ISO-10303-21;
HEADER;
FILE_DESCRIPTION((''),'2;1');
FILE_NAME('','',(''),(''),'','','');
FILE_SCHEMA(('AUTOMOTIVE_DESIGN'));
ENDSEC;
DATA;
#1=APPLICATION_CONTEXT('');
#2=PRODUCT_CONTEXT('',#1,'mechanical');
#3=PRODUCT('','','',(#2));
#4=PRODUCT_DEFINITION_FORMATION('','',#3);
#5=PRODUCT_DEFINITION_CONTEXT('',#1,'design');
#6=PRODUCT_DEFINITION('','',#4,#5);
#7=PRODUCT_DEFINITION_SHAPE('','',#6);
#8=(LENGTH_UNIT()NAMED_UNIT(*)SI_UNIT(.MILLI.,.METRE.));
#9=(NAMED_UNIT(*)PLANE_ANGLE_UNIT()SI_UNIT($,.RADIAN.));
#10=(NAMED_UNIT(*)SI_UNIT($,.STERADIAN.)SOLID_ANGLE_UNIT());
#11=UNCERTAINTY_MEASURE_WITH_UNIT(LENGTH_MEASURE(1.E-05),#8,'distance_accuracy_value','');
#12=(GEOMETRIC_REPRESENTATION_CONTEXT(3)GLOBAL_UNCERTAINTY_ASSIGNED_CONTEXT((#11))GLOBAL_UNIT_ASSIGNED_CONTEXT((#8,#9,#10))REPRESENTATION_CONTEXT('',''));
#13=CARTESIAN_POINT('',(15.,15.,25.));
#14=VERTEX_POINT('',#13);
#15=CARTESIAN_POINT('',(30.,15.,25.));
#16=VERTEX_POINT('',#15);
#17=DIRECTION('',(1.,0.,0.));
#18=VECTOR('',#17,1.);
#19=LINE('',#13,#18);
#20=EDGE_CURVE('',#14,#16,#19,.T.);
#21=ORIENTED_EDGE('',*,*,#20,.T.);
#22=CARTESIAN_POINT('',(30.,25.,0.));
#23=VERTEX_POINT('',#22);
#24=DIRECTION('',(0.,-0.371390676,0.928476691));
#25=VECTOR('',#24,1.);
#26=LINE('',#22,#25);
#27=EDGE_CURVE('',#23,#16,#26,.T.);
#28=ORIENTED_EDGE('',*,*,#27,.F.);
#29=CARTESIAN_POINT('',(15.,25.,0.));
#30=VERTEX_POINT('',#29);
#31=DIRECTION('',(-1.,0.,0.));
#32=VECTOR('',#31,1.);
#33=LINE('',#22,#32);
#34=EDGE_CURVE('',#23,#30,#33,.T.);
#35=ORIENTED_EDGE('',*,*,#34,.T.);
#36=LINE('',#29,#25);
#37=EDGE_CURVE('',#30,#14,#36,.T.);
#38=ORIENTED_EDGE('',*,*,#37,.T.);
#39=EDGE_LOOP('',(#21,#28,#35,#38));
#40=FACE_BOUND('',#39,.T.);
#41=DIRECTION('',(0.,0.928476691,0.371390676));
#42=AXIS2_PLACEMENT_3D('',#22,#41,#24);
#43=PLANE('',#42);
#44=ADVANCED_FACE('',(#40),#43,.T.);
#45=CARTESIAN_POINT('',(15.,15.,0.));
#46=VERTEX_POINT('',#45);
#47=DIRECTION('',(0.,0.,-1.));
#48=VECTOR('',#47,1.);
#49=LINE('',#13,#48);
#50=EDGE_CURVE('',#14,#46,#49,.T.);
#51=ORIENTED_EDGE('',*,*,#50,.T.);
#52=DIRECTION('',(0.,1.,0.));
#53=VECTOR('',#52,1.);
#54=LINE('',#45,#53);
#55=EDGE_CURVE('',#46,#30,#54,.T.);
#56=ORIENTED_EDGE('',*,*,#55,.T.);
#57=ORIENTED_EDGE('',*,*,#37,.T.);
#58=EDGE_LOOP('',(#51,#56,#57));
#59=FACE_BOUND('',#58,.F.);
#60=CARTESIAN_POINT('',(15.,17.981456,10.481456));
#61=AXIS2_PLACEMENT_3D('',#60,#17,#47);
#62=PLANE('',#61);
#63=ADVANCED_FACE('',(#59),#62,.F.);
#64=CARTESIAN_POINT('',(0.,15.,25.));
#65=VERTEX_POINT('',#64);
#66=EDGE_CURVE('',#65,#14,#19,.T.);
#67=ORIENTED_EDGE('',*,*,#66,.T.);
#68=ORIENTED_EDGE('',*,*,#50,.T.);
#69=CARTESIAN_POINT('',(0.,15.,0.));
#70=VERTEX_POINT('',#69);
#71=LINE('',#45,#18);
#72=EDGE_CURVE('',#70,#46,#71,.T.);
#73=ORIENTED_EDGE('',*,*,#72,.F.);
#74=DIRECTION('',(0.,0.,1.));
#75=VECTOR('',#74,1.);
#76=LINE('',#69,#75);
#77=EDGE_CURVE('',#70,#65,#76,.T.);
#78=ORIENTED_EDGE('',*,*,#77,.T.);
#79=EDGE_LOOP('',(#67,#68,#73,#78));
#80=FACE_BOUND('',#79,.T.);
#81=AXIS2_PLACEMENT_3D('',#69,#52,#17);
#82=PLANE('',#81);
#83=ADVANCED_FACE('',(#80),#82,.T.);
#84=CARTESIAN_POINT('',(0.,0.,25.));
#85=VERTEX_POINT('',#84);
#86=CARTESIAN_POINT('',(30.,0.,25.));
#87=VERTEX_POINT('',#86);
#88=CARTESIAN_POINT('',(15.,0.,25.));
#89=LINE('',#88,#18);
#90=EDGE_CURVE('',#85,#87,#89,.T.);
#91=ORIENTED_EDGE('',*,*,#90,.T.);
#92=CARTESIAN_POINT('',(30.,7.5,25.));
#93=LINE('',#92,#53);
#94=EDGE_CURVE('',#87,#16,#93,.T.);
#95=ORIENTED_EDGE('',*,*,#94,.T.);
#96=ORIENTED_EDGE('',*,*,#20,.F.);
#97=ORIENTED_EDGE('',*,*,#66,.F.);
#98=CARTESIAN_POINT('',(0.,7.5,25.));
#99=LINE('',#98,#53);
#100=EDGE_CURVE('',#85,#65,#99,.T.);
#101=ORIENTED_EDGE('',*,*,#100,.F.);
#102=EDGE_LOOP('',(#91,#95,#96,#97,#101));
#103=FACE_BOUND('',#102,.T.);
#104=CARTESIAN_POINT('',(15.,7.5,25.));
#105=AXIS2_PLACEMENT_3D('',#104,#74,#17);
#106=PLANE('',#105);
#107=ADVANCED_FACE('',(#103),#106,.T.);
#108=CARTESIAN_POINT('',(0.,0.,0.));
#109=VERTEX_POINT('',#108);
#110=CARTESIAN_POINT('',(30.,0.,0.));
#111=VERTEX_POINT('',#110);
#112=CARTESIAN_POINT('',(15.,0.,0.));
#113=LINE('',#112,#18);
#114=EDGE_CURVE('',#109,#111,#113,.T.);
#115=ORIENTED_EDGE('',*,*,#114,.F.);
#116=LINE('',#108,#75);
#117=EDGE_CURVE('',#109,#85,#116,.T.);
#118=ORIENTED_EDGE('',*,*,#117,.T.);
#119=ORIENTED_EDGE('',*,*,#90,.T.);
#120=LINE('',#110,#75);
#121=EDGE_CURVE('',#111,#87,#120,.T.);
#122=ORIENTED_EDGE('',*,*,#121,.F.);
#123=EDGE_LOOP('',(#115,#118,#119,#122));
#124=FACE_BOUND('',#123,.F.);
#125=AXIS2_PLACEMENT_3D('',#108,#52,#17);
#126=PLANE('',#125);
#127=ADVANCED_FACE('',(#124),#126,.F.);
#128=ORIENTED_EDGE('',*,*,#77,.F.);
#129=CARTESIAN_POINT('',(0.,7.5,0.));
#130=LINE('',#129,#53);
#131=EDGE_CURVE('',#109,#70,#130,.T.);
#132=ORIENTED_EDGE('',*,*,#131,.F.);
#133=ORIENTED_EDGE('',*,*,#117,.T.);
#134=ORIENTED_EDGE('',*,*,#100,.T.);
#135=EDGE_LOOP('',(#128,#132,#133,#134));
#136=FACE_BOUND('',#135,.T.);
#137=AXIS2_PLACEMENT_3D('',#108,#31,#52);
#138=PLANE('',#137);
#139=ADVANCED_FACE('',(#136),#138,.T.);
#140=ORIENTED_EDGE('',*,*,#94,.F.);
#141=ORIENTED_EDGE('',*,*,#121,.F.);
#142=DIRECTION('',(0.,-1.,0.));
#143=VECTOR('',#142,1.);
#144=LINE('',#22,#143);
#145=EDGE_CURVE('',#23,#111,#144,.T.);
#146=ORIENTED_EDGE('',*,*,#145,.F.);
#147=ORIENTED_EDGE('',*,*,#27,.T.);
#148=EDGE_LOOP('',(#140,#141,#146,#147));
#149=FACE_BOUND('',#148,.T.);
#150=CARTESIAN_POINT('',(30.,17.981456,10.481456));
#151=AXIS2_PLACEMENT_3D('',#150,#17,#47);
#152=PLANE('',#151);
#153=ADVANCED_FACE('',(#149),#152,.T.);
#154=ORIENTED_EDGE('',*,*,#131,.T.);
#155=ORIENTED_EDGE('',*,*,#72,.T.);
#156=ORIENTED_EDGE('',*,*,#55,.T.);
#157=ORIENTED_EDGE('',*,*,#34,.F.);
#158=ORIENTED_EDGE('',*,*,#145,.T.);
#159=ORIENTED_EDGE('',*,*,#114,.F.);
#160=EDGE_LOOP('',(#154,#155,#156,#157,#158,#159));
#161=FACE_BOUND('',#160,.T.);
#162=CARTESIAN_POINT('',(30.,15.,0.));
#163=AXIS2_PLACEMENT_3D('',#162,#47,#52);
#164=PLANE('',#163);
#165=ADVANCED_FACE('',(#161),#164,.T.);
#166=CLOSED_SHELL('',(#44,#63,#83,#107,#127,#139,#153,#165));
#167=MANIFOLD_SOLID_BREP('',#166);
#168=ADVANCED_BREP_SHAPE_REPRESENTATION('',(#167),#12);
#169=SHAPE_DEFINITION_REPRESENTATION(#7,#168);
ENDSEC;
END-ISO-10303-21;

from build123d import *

# Parameters (mm, degrees)
SKETCH1_W           = 30
SKETCH1_H           = 15
BOSS_EXTRUDE1_DEPTH = 25
BOSS_EXTRUDE2_DEPTH = 15


with BuildPart() as part:
    # Sketch1 → Boss-Extrude1 (new body)
    with BuildSketch(Plane.XY):
        with Locations((15, 7.5)):
            Rectangle(SKETCH1_W, SKETCH1_H)
    extrude(amount=BOSS_EXTRUDE1_DEPTH)

    # Sketch2 → Boss-Extrude2 (add)
    with BuildSketch(Plane(origin=(30, 0, 0), x_dir=(0, 0, -1), z_dir=(1, 0, 0))):
        Polygon((0, 15), (0, 25), (-25, 15), align=None)
    extrude(amount=-BOSS_EXTRUDE2_DEPTH)


solid = part.part
